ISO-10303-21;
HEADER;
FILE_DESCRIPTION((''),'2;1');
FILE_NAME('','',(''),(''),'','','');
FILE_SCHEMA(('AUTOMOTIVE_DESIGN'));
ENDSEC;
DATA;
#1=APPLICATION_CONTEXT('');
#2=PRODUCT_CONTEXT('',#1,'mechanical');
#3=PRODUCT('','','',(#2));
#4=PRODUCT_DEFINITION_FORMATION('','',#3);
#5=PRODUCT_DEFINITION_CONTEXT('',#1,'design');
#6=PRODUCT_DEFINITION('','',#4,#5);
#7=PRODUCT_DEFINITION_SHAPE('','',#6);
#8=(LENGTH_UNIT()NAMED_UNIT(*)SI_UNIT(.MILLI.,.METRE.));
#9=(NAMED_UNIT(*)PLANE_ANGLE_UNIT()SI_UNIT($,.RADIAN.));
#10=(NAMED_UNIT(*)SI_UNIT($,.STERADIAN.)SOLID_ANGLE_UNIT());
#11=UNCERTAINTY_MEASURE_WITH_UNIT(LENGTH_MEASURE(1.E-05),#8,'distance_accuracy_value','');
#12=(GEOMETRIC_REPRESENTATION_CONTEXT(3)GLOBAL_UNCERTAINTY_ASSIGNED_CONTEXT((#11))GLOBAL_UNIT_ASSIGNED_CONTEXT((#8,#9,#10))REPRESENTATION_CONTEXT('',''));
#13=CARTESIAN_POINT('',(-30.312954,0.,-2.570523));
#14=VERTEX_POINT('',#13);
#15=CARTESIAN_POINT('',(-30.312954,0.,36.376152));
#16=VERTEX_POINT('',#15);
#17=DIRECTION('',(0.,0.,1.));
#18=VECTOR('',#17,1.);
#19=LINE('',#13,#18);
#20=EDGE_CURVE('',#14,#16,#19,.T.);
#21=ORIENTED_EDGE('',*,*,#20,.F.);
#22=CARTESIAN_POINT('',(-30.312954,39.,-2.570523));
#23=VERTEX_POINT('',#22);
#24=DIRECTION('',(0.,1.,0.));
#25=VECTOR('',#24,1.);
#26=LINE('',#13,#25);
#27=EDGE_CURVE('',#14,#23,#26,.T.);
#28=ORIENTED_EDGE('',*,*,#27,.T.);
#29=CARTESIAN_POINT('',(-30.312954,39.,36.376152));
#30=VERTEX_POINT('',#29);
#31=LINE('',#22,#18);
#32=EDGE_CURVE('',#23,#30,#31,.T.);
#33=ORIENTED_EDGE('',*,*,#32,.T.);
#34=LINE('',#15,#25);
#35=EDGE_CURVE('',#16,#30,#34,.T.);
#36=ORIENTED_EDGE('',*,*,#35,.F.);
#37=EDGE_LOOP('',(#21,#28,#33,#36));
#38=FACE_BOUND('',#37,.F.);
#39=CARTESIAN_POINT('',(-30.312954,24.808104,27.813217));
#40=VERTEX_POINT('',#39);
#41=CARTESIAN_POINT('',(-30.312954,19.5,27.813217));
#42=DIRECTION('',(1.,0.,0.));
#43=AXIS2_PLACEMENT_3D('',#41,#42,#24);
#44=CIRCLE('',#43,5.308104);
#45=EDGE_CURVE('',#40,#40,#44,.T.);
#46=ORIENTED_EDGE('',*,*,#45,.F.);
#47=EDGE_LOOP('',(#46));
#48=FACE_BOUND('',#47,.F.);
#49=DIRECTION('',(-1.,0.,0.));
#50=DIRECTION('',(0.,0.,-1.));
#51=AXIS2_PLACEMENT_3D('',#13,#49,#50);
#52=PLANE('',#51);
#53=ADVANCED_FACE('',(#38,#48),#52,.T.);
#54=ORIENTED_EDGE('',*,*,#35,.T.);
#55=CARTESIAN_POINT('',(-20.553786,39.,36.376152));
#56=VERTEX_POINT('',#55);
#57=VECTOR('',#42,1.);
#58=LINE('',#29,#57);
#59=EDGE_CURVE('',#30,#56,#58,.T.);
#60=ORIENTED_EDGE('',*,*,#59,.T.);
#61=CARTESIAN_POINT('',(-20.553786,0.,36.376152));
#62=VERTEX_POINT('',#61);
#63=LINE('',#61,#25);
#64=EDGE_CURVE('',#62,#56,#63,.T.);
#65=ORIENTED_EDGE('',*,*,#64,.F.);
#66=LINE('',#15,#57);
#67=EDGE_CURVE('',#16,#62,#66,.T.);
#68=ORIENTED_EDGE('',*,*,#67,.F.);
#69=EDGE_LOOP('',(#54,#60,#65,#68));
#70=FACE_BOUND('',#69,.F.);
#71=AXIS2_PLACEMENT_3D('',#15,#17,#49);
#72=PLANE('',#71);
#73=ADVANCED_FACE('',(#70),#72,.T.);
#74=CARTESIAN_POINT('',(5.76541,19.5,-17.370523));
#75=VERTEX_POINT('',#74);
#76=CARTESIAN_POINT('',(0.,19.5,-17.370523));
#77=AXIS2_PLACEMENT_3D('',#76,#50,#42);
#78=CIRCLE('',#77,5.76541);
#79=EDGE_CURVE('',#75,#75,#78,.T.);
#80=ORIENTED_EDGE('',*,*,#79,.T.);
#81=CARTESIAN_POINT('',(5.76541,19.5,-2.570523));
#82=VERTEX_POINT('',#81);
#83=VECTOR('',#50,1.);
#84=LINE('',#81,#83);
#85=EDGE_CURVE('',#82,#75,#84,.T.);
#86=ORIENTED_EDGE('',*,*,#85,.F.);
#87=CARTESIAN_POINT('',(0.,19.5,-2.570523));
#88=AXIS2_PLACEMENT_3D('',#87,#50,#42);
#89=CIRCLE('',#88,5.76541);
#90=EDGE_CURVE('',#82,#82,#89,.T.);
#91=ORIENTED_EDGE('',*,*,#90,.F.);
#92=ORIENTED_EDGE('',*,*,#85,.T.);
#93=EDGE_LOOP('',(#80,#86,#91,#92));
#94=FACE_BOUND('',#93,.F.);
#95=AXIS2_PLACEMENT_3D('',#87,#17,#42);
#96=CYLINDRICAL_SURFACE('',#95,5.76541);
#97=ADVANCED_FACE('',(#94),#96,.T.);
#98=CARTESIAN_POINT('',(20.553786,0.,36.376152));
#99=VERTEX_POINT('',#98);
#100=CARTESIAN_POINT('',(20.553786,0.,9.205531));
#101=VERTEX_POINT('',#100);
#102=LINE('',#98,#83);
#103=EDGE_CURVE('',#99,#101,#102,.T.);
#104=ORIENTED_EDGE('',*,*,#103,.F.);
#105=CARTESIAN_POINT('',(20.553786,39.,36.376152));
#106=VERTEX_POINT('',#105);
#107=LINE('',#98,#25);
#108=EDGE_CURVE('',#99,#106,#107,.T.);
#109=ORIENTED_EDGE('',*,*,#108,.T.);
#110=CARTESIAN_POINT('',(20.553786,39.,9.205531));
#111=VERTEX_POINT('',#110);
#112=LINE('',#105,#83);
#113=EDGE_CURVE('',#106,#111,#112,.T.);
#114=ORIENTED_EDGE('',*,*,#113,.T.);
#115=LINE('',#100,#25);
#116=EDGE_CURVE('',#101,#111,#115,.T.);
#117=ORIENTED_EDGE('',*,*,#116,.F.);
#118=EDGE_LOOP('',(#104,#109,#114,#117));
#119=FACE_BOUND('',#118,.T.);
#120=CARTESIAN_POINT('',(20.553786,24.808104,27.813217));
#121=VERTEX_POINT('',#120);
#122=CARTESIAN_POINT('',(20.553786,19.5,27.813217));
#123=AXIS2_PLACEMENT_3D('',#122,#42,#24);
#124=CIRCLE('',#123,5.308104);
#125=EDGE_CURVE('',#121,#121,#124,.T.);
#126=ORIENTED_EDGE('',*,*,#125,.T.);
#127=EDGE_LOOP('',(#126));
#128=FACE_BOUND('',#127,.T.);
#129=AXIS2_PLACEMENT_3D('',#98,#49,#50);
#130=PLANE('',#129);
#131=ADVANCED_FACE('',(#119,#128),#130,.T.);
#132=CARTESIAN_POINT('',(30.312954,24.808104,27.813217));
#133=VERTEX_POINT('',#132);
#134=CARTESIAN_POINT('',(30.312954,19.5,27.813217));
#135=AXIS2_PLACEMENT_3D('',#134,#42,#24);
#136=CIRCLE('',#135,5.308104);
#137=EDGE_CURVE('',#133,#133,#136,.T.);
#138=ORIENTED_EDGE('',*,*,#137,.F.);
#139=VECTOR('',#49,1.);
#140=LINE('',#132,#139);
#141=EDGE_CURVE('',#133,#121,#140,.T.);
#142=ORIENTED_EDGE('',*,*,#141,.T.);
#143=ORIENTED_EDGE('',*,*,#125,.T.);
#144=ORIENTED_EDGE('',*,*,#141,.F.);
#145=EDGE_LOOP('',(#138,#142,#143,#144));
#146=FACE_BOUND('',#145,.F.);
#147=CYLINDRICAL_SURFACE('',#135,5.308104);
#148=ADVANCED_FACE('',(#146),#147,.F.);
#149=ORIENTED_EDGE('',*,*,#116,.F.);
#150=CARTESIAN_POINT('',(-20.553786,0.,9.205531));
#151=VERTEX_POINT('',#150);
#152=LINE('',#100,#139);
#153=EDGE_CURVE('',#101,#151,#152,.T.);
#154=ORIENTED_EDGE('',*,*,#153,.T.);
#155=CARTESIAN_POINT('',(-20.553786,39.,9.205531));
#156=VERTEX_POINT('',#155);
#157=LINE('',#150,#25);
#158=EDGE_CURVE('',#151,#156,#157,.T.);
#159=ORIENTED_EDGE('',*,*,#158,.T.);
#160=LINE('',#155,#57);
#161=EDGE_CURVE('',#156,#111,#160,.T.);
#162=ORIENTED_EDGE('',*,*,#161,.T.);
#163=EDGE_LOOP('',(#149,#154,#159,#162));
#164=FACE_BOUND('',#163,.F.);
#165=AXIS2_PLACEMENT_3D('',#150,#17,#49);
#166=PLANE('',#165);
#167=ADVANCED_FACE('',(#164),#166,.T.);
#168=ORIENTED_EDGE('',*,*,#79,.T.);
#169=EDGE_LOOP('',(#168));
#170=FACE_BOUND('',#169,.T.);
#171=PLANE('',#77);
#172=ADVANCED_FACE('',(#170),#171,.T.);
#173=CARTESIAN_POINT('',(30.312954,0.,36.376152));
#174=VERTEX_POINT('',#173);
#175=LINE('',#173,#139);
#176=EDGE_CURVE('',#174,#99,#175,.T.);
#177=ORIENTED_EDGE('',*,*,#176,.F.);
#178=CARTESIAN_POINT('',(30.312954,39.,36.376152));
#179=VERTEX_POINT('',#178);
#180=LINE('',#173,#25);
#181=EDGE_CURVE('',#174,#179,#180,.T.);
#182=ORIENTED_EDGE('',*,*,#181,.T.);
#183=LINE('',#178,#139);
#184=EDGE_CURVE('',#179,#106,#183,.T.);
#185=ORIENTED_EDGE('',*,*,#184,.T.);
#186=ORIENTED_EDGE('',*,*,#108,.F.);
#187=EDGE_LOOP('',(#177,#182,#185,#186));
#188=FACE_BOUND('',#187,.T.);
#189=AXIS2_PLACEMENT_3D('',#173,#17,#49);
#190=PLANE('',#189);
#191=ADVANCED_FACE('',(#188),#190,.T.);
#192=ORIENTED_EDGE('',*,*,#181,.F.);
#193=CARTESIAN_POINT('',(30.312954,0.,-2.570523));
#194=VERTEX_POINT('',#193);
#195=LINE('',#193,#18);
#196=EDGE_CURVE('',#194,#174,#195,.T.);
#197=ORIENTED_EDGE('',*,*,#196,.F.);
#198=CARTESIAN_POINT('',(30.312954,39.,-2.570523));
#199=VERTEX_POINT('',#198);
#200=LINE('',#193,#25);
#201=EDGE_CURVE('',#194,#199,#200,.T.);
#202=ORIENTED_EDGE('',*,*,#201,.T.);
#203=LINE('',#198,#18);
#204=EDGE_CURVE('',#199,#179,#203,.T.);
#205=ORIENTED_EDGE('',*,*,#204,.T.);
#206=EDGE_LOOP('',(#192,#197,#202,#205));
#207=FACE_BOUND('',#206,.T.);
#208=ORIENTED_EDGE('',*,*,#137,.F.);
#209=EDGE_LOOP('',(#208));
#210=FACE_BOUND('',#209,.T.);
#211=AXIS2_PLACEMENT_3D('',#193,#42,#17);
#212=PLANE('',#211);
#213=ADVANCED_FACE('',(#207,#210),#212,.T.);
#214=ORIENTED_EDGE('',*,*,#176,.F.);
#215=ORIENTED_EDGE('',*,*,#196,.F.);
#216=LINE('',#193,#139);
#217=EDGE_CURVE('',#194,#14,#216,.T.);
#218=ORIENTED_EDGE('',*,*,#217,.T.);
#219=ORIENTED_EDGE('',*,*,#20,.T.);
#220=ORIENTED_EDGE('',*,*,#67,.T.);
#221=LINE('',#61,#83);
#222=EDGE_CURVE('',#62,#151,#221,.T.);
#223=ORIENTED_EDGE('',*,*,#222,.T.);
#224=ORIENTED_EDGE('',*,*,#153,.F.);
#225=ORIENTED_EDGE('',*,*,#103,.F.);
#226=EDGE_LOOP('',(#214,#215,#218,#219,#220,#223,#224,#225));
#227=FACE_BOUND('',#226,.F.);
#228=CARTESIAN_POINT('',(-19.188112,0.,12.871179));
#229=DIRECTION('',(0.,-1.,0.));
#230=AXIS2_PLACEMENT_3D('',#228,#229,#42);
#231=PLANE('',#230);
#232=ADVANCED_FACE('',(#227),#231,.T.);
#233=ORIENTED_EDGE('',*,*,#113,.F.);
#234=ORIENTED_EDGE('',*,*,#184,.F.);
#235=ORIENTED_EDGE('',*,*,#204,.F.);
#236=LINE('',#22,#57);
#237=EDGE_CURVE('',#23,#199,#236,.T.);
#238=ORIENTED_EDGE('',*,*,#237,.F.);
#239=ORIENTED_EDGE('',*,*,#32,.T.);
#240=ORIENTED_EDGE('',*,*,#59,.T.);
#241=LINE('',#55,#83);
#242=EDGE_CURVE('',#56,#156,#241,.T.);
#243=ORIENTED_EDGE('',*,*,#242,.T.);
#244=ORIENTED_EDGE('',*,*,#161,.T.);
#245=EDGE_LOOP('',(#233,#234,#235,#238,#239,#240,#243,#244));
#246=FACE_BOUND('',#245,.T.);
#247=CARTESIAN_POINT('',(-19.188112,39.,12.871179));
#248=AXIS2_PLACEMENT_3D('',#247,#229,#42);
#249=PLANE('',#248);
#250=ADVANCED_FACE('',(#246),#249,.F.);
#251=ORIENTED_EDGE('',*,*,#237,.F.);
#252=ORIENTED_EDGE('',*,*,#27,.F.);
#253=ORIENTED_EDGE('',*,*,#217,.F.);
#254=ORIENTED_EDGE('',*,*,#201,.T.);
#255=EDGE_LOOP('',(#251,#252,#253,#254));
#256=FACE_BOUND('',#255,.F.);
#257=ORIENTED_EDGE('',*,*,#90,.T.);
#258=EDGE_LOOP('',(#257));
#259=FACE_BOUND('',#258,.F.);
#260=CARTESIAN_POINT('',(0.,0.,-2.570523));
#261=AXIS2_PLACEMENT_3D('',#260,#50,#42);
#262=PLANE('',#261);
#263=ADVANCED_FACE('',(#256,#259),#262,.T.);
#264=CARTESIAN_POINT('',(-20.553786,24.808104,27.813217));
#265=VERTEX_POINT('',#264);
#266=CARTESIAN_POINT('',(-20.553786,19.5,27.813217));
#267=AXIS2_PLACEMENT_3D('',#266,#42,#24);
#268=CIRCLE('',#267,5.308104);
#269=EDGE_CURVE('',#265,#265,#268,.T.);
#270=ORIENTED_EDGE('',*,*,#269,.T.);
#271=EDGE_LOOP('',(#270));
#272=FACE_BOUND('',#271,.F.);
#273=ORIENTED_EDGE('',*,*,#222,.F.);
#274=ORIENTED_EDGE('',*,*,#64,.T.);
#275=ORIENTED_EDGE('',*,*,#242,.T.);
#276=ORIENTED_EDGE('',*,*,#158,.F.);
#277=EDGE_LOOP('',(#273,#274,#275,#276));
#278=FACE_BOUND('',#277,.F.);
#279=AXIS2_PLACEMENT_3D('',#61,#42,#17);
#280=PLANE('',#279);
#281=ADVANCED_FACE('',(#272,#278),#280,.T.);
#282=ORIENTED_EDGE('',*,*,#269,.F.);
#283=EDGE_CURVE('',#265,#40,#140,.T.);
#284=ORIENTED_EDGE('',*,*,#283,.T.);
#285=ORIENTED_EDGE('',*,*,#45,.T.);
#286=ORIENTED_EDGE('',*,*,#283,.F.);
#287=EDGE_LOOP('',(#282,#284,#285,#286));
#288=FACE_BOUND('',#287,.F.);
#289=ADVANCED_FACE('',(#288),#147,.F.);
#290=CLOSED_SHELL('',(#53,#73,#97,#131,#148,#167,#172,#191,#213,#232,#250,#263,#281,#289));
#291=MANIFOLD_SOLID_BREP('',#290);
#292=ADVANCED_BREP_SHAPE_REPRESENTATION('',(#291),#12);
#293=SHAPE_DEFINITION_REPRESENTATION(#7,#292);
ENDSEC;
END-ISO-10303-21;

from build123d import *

# Parameters (mm, degrees)
F1_DEPTH = 39
F3_R     = 5.308104
F4_DEPTH = 60.626907
F5_R     = 5.76541
F6_DEPTH = 14.8


with BuildPart() as f1:
    # F0 (on Front) → F1 (new body)
    with BuildSketch(Plane.XZ):
        Polygon((0, 9.205531), (0, -2.570523), (30.312954, -2.570523), (30.312954, 36.376152), (20.553786, 36.376152), (20.553786, 9.205531), align=None)
    extrude(amount=-F1_DEPTH)

    # F2: F1 across face


with BuildPart() as f1_1:
    add(f1.part)
    add(f1.part.mirror(Plane(origin=(0, 19.5, 3.317504), x_dir=(0, -1, 0), z_dir=(-1, 0, 0))))

    # F3 (on face) → F4 (cut, through all)
    with BuildSketch(Plane.YZ.offset(30.312954)):
        with Locations((19.5, 27.813217)):
            Circle(F3_R)
    extrude(amount=-F4_DEPTH, mode=Mode.SUBTRACT)

    # F5 (on face) → F6 (join)
    with BuildSketch(Plane(origin=(0, 0, -2.570523), x_dir=(1, 0, 0), z_dir=(0, 0, -1))):
        with Locations((0, -19.5)):
            Circle(F5_R)
    extrude(amount=F6_DEPTH)


solid = f1_1.part
